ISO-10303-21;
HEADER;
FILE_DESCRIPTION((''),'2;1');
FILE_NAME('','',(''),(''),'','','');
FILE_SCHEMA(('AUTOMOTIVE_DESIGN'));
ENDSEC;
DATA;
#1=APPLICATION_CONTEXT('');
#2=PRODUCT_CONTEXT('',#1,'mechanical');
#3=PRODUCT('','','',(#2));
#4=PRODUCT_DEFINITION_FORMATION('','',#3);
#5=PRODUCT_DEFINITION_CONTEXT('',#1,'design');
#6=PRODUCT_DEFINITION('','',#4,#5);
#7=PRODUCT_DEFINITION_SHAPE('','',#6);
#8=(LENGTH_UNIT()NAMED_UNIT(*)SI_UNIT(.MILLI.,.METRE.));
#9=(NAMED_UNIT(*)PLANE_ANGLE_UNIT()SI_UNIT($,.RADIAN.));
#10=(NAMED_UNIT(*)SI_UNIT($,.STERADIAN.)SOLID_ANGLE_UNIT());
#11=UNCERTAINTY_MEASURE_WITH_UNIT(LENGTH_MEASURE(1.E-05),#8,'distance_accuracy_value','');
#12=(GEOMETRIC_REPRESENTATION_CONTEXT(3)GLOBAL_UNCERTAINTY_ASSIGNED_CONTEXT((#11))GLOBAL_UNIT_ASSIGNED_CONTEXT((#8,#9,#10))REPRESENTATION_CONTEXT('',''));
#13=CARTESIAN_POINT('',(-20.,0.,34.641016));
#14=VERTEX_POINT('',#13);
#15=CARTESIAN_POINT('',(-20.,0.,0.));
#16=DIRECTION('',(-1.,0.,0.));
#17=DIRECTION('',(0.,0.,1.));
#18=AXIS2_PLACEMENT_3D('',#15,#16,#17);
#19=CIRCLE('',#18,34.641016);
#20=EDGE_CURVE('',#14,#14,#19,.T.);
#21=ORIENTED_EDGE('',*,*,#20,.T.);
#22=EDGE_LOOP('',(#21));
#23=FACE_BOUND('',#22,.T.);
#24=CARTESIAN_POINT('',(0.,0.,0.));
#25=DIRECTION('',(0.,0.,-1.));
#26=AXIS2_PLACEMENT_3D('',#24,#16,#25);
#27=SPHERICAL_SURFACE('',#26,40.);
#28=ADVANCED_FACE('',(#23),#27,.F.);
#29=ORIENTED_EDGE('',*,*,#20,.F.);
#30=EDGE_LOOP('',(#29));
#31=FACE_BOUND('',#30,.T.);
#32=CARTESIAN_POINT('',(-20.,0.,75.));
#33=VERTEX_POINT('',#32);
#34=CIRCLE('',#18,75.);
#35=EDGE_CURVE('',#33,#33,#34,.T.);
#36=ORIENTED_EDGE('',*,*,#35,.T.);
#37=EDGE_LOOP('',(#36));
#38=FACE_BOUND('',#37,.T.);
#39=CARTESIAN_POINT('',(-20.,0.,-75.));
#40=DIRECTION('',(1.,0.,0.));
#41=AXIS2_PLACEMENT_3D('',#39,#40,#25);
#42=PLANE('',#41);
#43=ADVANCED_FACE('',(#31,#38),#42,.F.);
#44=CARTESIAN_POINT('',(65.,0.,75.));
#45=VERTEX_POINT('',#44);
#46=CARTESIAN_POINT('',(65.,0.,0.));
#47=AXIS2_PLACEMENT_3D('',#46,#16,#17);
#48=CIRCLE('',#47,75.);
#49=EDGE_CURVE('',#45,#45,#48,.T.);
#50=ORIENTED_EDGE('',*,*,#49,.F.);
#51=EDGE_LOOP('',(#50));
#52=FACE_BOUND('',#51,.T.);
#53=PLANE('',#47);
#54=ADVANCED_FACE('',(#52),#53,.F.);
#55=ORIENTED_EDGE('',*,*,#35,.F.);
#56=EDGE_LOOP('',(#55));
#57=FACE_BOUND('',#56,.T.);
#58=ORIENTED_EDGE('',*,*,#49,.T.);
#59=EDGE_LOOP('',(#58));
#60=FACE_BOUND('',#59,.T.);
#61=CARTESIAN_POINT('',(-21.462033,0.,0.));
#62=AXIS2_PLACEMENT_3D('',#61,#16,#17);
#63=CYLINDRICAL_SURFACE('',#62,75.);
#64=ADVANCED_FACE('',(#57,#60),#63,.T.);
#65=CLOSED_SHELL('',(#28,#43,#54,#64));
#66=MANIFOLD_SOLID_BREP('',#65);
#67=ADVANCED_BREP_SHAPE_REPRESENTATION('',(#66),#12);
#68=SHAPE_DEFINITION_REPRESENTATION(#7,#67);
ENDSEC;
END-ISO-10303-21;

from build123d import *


with BuildPart() as part:
    # Sketch1 → Revolve7 (revolve)
    with BuildSketch(Plane(origin=(0, 0, 0), x_dir=(1, 0, 0), z_dir=(0, 1, 0))):
        with BuildLine():
            Line((65, 0), (65, 75))
            Line((65, 75), (-20, 75))
            Line((-20, 75), (-20, 34.641016151))
            ThreePointArc((-20, 34.641016151), (20, 34.641016151), (40, 0))
            Line((40, 0), (65, 0))
        make_face()
    revolve(axis=Axis((-21.462032589, 0, 0), (1, 0, 0)))


solid = part.part
